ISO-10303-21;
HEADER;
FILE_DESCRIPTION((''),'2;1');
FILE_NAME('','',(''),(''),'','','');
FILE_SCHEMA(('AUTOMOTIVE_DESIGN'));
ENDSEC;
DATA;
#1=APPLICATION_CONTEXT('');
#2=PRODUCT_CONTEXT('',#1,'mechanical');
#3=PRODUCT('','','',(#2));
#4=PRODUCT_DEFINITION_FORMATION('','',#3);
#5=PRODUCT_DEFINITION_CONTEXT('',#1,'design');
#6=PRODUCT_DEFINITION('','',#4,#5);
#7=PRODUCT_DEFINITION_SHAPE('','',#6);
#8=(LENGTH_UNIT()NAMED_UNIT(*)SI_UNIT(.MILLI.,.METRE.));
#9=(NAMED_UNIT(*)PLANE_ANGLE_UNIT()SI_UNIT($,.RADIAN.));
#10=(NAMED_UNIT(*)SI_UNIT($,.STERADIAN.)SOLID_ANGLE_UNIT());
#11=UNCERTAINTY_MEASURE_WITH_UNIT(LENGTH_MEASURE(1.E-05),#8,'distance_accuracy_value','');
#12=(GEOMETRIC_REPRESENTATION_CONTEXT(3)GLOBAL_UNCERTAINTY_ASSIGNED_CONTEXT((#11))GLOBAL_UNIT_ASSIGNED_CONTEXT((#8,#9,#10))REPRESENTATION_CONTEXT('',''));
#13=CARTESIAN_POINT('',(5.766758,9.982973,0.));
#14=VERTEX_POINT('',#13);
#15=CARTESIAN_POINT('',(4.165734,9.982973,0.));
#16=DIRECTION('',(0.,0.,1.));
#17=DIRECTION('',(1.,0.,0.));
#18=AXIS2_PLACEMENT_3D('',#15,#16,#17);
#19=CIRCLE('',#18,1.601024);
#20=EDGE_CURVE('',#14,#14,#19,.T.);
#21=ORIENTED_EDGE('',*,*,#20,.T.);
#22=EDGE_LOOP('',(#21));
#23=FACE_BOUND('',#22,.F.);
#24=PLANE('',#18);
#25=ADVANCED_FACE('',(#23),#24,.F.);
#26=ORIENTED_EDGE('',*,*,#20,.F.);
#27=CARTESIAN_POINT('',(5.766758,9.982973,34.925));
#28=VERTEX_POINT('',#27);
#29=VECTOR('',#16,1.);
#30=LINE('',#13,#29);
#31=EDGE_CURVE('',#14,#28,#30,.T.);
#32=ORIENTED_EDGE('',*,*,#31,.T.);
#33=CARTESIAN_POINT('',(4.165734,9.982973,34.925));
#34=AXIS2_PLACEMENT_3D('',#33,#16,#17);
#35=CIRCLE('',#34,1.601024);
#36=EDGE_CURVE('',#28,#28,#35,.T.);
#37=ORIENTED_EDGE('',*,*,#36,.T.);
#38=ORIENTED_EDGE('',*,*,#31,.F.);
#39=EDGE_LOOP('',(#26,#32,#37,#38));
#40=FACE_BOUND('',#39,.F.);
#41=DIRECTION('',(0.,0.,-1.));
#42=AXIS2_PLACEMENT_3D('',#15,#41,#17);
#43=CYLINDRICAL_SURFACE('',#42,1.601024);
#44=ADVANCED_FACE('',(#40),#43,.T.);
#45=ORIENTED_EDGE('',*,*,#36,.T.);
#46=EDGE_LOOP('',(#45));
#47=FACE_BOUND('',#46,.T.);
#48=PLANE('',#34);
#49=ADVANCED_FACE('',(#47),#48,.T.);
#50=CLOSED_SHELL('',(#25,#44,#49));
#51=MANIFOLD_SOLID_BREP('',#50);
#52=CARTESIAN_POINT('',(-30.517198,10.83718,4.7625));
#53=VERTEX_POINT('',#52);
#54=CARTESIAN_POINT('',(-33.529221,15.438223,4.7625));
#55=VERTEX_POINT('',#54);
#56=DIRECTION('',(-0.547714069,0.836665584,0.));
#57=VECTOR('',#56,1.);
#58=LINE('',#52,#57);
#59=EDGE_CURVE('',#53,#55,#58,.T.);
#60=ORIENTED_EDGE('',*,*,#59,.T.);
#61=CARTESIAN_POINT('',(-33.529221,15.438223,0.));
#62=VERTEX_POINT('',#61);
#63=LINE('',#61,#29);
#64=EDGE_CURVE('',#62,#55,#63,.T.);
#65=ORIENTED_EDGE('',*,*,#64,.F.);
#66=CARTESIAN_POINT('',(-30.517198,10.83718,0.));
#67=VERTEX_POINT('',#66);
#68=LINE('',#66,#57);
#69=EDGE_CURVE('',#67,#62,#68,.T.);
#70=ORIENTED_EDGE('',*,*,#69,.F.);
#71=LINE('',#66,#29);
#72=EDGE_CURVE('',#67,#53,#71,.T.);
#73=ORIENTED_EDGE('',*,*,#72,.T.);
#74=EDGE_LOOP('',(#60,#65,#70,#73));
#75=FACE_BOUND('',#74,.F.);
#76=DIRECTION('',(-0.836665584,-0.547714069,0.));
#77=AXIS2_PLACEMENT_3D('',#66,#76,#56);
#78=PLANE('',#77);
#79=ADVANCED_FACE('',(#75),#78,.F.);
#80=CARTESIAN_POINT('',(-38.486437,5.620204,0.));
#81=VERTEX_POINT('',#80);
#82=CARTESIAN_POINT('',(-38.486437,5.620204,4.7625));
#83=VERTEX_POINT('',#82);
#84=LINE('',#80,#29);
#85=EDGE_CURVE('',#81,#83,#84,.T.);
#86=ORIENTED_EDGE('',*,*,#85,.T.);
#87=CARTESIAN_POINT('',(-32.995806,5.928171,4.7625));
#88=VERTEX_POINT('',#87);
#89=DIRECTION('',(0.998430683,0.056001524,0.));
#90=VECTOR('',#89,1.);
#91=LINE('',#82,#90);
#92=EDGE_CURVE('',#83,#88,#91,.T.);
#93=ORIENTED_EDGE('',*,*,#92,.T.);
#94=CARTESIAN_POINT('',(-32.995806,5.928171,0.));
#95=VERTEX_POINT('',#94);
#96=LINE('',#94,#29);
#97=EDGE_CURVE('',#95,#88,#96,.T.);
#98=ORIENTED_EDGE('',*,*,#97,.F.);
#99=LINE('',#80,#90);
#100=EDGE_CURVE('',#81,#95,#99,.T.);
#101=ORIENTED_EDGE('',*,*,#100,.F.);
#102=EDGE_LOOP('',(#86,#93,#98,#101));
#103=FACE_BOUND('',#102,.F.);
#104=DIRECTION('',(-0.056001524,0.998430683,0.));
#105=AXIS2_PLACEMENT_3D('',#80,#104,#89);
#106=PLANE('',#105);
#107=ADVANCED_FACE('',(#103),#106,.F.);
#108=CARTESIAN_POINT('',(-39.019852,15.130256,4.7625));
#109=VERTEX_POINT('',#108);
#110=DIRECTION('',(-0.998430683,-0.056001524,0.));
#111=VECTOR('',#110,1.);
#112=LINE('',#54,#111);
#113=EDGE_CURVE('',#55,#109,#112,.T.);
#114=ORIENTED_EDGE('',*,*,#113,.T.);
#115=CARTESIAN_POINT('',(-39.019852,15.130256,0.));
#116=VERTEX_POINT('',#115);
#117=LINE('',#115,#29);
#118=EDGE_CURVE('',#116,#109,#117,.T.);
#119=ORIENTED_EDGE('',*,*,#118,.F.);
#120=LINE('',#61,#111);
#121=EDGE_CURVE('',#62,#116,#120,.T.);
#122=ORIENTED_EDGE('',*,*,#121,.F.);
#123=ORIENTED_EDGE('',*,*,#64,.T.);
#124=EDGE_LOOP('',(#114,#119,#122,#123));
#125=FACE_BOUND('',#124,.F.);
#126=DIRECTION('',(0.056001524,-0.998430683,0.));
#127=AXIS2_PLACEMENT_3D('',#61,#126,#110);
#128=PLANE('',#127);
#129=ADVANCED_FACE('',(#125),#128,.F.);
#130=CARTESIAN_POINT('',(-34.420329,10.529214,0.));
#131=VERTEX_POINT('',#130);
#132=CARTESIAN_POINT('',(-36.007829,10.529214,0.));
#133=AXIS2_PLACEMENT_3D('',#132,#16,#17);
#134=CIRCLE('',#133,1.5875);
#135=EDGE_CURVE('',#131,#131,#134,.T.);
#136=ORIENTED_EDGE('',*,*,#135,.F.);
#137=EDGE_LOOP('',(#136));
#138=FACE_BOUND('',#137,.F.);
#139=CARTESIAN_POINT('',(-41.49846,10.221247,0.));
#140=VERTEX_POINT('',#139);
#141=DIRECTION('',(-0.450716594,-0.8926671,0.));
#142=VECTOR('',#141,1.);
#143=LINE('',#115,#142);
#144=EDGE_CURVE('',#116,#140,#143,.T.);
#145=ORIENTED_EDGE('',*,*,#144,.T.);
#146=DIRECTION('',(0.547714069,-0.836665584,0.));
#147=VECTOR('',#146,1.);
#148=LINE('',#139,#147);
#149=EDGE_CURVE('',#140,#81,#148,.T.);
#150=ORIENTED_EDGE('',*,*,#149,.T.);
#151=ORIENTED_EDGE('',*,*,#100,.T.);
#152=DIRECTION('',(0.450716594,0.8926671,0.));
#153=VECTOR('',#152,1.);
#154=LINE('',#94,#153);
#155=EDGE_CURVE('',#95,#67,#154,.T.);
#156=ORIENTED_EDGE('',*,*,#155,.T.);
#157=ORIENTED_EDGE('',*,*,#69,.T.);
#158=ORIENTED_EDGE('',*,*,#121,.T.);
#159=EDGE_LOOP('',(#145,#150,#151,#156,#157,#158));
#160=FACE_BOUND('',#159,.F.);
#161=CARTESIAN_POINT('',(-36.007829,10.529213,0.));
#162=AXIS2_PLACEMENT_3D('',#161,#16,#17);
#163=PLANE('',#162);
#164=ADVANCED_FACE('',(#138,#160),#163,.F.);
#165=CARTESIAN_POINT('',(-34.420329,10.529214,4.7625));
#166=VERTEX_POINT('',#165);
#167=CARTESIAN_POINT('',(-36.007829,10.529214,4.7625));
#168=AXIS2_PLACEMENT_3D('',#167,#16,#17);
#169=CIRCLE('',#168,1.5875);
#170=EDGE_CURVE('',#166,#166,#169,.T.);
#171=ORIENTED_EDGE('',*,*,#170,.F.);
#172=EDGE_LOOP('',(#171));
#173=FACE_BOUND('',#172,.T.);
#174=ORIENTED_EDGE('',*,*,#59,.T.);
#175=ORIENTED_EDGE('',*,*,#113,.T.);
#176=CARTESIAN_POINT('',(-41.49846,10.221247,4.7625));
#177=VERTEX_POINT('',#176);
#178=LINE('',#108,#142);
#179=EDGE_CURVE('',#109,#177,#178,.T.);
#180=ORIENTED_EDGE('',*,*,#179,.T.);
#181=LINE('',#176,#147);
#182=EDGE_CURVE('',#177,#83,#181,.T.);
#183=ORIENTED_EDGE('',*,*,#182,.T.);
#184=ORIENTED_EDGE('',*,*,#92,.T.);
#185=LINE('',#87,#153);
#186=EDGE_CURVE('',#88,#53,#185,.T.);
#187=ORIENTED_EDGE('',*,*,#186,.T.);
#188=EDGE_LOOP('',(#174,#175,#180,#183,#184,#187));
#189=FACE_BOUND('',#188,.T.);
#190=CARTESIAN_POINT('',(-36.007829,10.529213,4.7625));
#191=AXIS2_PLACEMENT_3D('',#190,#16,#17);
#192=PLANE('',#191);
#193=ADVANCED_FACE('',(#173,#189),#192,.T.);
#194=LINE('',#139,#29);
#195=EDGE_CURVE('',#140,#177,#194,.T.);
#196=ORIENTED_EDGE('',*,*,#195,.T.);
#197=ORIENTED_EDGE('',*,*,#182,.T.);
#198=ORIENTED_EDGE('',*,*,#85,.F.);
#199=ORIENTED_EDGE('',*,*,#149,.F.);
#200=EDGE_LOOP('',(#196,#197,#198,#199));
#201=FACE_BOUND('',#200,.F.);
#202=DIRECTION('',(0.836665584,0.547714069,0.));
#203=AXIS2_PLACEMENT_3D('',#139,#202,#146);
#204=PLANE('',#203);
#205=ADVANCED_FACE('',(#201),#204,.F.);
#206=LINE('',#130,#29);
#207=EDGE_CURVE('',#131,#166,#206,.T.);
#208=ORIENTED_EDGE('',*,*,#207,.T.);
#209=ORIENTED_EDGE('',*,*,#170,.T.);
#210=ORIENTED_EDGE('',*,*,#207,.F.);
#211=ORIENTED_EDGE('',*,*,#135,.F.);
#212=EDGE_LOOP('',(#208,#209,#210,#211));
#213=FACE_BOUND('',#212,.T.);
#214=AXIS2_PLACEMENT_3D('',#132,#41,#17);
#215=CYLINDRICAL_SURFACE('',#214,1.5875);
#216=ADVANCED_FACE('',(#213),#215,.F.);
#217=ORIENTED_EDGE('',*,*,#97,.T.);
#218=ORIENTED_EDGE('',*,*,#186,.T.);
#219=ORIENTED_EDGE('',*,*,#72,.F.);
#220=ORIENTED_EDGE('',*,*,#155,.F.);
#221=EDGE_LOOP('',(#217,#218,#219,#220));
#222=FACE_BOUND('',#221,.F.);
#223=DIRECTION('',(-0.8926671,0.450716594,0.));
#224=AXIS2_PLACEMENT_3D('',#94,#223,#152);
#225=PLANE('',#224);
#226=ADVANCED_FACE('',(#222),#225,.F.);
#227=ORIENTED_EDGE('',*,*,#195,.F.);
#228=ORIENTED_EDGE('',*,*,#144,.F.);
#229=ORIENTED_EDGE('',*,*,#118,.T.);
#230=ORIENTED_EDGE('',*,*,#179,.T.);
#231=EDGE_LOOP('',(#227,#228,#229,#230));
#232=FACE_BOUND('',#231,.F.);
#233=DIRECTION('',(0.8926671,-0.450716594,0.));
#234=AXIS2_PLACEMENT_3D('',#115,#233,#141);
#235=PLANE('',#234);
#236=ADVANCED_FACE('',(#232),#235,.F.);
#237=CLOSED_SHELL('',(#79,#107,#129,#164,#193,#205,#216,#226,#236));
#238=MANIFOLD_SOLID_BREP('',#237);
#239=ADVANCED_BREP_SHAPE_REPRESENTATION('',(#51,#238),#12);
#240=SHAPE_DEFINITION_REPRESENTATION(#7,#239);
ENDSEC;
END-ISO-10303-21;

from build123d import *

# Parameters (mm, degrees)
F0_R     = 1.5875
F1_DEPTH = 4.7625
F2_R     = 1.601024
F3_DEPTH = 34.925


with BuildPart() as f1:
    # F0 (on Top) → F1 (new body)
    with BuildSketch(Plane.XY):
        Polygon((-32.995806, 5.928171), (-30.517198, 10.83718), (-33.529221, 15.438223), (-39.019852, 15.130256), (-41.49846, 10.221247), (-38.486437, 5.620204), align=None)
        with Locations((-36.007829, 10.529214)):
            Circle(F0_R, mode=Mode.SUBTRACT)
    extrude(amount=F1_DEPTH)


with BuildPart() as f3:
    # F2 (on Top) → F3 (new body)
    with BuildSketch(Plane.XY):
        with Locations((4.165734, 9.982973)):
            Circle(F2_R)
    extrude(amount=F3_DEPTH)


solid = Compound([f1.part, f3.part])
